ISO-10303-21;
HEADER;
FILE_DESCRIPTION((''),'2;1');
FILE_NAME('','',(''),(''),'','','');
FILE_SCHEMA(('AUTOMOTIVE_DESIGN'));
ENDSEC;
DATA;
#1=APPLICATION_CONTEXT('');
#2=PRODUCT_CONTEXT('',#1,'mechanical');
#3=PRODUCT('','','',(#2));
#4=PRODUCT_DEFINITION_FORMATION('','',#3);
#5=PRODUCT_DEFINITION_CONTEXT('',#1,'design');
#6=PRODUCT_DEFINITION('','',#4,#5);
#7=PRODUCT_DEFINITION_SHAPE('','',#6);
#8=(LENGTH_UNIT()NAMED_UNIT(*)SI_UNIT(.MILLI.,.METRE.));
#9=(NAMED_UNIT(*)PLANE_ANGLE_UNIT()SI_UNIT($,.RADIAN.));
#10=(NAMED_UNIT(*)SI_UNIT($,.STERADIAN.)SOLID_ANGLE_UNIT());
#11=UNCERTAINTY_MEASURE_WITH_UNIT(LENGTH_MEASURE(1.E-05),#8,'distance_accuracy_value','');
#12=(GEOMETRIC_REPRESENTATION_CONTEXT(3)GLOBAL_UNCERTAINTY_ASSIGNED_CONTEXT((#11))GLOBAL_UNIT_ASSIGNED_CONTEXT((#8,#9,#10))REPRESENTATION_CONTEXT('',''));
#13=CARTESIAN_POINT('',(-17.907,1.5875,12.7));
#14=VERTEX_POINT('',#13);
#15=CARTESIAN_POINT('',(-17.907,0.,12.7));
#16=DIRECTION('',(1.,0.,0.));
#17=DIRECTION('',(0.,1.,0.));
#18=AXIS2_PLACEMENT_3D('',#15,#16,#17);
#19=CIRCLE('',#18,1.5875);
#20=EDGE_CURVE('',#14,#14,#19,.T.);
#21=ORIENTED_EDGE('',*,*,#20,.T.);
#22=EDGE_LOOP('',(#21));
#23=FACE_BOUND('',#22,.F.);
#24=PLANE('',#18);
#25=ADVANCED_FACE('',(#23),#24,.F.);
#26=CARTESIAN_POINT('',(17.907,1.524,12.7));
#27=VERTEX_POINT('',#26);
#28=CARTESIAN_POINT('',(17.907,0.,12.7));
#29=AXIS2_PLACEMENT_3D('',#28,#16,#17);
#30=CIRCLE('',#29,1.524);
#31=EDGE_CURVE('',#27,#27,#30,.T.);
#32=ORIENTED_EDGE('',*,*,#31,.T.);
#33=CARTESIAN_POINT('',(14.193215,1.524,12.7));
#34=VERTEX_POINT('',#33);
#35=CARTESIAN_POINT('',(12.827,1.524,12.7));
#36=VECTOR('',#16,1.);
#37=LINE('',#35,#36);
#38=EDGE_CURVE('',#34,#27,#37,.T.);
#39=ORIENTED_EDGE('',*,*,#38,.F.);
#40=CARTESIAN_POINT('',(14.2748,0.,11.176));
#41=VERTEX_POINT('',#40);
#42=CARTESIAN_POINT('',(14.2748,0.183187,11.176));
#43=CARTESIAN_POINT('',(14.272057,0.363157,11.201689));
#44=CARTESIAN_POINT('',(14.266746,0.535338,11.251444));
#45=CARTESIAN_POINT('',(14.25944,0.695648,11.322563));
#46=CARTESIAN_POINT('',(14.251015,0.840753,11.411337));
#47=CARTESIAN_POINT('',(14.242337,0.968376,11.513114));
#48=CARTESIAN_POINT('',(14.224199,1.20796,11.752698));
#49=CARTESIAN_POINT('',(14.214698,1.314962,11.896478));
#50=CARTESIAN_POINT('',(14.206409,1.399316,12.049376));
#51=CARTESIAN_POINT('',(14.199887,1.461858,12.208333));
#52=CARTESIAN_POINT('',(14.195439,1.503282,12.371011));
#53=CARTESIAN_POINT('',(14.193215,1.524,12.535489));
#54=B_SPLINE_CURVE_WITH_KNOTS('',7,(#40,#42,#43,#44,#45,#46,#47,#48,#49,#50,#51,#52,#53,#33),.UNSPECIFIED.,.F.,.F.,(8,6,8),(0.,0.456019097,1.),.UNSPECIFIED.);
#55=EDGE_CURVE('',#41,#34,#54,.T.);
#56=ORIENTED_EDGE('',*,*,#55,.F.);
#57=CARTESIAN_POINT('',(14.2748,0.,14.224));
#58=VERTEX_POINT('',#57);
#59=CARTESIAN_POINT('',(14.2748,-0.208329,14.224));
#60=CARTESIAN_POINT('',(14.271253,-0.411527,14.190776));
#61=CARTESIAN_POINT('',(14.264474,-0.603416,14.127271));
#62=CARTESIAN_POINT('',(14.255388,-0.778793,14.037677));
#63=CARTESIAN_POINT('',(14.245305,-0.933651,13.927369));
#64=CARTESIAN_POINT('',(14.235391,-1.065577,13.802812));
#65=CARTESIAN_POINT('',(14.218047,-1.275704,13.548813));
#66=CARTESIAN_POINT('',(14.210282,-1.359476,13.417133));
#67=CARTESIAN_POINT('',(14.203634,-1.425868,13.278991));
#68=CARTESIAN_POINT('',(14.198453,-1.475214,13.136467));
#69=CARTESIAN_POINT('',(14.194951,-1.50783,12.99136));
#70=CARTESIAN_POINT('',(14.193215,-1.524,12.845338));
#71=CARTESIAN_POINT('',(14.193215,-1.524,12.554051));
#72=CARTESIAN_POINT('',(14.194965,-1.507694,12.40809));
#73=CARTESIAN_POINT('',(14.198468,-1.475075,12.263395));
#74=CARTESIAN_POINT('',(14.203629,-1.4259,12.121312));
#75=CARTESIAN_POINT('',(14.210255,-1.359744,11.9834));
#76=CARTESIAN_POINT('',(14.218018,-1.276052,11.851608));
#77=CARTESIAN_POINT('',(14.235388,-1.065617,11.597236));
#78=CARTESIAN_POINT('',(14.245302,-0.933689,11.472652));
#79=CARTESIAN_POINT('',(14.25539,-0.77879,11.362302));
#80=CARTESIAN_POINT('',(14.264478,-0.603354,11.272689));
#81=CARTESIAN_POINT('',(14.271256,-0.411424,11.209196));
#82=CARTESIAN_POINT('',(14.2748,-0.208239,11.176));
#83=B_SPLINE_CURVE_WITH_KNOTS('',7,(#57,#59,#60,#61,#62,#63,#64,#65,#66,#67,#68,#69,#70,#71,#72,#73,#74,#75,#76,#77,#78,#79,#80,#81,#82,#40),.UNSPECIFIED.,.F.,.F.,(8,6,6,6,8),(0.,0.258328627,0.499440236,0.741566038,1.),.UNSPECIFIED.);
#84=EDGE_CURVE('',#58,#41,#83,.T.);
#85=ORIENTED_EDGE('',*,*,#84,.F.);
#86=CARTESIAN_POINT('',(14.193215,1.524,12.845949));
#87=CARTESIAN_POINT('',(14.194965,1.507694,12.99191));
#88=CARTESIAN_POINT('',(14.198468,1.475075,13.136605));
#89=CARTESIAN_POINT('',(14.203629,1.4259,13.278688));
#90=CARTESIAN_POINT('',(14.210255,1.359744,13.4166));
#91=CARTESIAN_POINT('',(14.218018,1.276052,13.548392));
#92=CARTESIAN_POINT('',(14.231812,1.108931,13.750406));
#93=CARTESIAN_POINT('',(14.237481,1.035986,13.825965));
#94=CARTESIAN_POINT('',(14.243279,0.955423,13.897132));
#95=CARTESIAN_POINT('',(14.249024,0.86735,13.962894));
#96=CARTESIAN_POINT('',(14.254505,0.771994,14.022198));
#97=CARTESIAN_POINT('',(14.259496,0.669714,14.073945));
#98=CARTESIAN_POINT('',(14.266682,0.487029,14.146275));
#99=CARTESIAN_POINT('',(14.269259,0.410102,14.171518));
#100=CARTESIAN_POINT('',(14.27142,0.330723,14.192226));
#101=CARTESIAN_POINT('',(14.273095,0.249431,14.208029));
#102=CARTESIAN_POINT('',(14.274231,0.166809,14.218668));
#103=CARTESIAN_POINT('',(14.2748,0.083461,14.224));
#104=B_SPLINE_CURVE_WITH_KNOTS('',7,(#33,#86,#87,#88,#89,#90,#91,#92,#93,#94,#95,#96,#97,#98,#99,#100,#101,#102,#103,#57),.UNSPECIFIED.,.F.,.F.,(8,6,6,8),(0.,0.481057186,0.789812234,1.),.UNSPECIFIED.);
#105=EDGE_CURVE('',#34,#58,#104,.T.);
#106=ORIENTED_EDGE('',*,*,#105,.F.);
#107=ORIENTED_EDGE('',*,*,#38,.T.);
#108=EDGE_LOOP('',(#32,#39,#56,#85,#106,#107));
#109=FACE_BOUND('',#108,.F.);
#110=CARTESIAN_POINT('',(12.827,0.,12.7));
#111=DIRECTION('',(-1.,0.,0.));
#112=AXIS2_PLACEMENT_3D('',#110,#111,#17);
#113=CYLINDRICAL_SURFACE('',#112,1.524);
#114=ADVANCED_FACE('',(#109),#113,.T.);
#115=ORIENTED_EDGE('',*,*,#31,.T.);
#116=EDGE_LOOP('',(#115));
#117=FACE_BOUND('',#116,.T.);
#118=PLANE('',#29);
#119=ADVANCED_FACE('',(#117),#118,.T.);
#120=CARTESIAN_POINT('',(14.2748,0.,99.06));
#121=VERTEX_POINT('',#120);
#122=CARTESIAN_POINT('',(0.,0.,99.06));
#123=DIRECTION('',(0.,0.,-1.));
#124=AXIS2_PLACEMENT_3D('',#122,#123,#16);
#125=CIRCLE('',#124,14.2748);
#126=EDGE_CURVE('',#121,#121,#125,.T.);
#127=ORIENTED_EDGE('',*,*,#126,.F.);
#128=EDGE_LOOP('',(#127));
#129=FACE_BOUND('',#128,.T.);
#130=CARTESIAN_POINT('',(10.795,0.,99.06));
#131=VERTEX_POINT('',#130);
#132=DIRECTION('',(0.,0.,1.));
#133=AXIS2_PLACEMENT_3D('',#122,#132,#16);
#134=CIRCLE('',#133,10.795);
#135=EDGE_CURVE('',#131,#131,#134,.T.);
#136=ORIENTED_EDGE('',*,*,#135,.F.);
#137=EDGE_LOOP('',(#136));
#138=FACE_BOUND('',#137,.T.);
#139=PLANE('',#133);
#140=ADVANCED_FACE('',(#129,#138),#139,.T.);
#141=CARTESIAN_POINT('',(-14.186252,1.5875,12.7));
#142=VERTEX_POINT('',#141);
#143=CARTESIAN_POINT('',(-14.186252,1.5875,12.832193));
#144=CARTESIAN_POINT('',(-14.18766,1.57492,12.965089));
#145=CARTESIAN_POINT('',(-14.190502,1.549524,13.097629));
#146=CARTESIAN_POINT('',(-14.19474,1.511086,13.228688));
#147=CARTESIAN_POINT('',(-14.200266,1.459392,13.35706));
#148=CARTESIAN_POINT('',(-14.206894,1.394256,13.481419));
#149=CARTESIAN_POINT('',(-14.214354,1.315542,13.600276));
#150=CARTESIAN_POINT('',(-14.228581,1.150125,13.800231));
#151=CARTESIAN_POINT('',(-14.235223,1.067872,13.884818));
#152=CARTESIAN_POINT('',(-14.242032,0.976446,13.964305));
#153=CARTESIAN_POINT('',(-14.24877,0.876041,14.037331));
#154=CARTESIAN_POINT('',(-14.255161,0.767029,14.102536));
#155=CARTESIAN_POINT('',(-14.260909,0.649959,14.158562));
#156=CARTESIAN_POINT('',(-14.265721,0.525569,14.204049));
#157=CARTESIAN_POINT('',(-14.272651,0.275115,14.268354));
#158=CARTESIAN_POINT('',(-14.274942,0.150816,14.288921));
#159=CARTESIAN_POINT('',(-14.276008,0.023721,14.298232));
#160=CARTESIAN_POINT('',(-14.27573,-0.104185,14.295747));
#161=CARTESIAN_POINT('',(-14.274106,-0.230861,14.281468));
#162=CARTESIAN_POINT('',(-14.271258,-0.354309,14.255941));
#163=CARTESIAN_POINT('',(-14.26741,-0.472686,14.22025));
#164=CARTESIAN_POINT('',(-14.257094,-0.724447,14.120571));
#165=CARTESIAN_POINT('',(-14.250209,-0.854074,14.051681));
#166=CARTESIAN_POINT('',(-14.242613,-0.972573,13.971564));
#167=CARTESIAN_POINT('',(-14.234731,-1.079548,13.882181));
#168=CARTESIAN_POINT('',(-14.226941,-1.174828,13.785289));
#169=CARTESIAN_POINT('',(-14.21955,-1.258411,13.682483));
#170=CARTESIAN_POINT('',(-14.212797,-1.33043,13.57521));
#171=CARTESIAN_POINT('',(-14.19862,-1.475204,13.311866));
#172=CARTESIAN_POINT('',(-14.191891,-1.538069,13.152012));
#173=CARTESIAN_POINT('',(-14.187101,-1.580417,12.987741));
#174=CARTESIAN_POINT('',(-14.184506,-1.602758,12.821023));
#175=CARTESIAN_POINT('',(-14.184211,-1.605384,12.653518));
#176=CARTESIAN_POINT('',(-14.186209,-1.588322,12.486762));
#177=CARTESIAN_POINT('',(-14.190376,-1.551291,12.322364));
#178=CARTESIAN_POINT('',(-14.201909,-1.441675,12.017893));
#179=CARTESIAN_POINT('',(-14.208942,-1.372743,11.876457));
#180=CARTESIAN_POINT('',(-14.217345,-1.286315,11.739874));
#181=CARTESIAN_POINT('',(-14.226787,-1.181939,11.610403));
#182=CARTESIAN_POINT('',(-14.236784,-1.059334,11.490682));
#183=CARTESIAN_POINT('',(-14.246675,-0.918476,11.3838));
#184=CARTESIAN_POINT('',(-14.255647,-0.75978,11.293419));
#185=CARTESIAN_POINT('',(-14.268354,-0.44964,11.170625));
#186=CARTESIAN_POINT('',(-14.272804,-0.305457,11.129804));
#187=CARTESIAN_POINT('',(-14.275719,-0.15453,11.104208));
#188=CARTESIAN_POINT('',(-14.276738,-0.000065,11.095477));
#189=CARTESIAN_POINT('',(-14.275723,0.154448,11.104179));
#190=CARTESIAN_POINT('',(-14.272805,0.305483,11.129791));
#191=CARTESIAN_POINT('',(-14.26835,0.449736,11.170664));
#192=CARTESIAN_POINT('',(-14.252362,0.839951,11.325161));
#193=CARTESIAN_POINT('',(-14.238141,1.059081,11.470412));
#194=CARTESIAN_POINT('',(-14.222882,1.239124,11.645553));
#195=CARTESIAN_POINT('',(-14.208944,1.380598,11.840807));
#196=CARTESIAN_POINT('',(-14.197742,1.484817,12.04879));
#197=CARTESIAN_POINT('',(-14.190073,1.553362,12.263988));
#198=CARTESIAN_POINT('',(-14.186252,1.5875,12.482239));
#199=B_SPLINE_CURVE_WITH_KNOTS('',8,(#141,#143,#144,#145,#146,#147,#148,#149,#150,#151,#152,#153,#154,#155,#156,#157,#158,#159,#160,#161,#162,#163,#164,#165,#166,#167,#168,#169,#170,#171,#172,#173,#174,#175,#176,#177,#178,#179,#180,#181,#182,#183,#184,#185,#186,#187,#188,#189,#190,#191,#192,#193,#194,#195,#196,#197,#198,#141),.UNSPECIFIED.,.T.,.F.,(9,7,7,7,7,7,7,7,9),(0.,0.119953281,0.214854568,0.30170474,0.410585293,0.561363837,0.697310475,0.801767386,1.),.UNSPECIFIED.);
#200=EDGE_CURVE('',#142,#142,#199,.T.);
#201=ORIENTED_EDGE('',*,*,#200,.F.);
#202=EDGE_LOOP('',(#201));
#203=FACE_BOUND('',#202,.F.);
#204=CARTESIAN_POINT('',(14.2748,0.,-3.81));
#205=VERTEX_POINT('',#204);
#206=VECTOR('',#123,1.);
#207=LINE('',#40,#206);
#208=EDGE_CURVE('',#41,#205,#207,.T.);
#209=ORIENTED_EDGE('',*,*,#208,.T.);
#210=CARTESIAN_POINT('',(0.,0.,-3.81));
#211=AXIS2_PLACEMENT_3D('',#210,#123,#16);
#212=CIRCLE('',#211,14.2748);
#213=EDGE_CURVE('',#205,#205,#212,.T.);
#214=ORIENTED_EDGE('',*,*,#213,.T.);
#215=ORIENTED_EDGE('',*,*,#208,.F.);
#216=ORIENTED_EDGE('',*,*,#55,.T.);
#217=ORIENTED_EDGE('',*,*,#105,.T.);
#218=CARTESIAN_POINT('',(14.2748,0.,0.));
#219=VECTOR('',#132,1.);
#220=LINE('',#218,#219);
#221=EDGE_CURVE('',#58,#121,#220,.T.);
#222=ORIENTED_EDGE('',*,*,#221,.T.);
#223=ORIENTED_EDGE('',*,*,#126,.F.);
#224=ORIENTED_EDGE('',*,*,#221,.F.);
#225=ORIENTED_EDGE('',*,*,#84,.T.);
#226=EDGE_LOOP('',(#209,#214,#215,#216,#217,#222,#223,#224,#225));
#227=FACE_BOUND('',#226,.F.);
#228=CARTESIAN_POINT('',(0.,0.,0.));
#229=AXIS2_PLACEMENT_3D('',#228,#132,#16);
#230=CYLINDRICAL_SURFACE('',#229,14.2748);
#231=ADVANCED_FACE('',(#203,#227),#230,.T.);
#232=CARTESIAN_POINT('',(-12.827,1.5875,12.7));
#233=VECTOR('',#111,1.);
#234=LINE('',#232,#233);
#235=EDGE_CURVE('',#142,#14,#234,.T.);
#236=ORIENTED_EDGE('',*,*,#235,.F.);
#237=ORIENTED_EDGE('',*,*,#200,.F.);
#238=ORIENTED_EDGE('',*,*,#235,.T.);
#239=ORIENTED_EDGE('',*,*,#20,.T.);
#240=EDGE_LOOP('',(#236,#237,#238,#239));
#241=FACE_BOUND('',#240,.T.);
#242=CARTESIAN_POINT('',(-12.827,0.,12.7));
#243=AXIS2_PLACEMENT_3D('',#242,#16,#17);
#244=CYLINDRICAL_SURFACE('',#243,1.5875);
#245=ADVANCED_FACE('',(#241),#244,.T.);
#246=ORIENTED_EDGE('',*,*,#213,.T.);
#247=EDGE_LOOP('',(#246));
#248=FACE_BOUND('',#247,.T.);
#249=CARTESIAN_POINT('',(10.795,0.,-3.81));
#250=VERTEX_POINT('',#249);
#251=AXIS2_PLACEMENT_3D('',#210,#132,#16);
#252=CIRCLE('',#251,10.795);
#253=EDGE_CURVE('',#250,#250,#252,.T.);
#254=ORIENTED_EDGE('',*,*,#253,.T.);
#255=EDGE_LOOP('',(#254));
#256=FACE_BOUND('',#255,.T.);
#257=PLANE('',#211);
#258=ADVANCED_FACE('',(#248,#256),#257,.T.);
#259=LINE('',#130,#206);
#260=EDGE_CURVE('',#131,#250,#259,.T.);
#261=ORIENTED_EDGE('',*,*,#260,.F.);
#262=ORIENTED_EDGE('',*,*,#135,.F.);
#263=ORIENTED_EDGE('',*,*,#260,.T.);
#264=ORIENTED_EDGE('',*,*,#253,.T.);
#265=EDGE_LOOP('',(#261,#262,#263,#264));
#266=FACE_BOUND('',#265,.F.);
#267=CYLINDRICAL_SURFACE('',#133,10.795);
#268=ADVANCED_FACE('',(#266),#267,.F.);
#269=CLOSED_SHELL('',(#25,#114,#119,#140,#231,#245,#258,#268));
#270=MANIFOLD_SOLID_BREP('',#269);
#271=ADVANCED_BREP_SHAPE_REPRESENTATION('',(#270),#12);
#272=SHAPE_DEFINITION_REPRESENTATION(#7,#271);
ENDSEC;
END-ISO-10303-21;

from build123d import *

# Parameters (mm, degrees)
F0_R      = 14.2748
F0_R_2    = 12.827
F1_DEPTH  = 266.7
F3_DEPTH  = 12.7
F4_R      = 14.2748
F4_R_2    = 12.827
F5_DEPTH  = 76.2
F7_R      = 1.524
F8_DEPTH  = 5.08
F10_R     = 1.5875
F11_DEPTH = 5.08
F12_R     = 14.2875
F13_DEPTH = 256.54
F14_R     = 14.2748
F14_R_2   = 12.827
F15_DEPTH = 3.81
F16_R     = 14.2748
F16_R_2   = 10.795
F17_DEPTH = 102.87


with BuildPart() as f1:
    # F0 (on Top) → F1 (new body)
    with BuildSketch(Plane.XY):
        Circle(F0_R)
        Circle(F0_R_2, mode=Mode.SUBTRACT)
    extrude(amount=F1_DEPTH)

    # F2 (on face) → F3 (join)
    with BuildSketch(Plane.XY.offset(266.7)):
        with BuildLine():
            Line((-3.175, 12.4278438999), (-3.175, 13.9172299701))
            ThreePointArc((-3.175, 13.9172299701), (0, -14.2748), (3.175, 13.9172299701))
            Line((3.175, 13.9172299701), (3.175, 12.4278438999))
            ThreePointArc((3.175, 12.4278438999), (0, -12.827), (-3.175, 12.4278438999))
        make_face()
    extrude(amount=F3_DEPTH)

    # F4 (on face) → F5 (join)
    with BuildSketch(Plane.XY.offset(279.4)):
        Circle(F4_R)
        Circle(F4_R_2, mode=Mode.SUBTRACT)
    extrude(amount=F5_DEPTH)

    # F7 (on offset) → F8 (join)
    with BuildSketch(Plane.YZ.offset(12.827)):
        with Locations((0, 12.7)):
            Circle(F7_R)
    extrude(amount=F8_DEPTH)

    # F10 (on offset) → F11 (join)
    with BuildSketch(Plane.YZ.offset(-12.827)):
        with Locations((0, 12.7)):
            Circle(F10_R)
    extrude(amount=-F11_DEPTH)

    # F12 (on face) → F13 (cut)
    with BuildSketch(Plane.XY.offset(355.6)):
        Circle(F12_R)
    extrude(amount=-F13_DEPTH, mode=Mode.SUBTRACT)

    # F14 (on face) → F15 (join)
    with BuildSketch(Plane(origin=(0, 0, 0), x_dir=(1, 0, 0), z_dir=(0, 0, -1))):
        Circle(F14_R)
        Circle(F14_R_2, mode=Mode.SUBTRACT)
    extrude(amount=F15_DEPTH)

    # F16 (on face) → F17 (join)
    with BuildSketch(Plane.XY.offset(99.06)):
        Circle(F16_R)
        Circle(F16_R_2, mode=Mode.SUBTRACT)
    extrude(amount=-F17_DEPTH)


solid = f1.part
